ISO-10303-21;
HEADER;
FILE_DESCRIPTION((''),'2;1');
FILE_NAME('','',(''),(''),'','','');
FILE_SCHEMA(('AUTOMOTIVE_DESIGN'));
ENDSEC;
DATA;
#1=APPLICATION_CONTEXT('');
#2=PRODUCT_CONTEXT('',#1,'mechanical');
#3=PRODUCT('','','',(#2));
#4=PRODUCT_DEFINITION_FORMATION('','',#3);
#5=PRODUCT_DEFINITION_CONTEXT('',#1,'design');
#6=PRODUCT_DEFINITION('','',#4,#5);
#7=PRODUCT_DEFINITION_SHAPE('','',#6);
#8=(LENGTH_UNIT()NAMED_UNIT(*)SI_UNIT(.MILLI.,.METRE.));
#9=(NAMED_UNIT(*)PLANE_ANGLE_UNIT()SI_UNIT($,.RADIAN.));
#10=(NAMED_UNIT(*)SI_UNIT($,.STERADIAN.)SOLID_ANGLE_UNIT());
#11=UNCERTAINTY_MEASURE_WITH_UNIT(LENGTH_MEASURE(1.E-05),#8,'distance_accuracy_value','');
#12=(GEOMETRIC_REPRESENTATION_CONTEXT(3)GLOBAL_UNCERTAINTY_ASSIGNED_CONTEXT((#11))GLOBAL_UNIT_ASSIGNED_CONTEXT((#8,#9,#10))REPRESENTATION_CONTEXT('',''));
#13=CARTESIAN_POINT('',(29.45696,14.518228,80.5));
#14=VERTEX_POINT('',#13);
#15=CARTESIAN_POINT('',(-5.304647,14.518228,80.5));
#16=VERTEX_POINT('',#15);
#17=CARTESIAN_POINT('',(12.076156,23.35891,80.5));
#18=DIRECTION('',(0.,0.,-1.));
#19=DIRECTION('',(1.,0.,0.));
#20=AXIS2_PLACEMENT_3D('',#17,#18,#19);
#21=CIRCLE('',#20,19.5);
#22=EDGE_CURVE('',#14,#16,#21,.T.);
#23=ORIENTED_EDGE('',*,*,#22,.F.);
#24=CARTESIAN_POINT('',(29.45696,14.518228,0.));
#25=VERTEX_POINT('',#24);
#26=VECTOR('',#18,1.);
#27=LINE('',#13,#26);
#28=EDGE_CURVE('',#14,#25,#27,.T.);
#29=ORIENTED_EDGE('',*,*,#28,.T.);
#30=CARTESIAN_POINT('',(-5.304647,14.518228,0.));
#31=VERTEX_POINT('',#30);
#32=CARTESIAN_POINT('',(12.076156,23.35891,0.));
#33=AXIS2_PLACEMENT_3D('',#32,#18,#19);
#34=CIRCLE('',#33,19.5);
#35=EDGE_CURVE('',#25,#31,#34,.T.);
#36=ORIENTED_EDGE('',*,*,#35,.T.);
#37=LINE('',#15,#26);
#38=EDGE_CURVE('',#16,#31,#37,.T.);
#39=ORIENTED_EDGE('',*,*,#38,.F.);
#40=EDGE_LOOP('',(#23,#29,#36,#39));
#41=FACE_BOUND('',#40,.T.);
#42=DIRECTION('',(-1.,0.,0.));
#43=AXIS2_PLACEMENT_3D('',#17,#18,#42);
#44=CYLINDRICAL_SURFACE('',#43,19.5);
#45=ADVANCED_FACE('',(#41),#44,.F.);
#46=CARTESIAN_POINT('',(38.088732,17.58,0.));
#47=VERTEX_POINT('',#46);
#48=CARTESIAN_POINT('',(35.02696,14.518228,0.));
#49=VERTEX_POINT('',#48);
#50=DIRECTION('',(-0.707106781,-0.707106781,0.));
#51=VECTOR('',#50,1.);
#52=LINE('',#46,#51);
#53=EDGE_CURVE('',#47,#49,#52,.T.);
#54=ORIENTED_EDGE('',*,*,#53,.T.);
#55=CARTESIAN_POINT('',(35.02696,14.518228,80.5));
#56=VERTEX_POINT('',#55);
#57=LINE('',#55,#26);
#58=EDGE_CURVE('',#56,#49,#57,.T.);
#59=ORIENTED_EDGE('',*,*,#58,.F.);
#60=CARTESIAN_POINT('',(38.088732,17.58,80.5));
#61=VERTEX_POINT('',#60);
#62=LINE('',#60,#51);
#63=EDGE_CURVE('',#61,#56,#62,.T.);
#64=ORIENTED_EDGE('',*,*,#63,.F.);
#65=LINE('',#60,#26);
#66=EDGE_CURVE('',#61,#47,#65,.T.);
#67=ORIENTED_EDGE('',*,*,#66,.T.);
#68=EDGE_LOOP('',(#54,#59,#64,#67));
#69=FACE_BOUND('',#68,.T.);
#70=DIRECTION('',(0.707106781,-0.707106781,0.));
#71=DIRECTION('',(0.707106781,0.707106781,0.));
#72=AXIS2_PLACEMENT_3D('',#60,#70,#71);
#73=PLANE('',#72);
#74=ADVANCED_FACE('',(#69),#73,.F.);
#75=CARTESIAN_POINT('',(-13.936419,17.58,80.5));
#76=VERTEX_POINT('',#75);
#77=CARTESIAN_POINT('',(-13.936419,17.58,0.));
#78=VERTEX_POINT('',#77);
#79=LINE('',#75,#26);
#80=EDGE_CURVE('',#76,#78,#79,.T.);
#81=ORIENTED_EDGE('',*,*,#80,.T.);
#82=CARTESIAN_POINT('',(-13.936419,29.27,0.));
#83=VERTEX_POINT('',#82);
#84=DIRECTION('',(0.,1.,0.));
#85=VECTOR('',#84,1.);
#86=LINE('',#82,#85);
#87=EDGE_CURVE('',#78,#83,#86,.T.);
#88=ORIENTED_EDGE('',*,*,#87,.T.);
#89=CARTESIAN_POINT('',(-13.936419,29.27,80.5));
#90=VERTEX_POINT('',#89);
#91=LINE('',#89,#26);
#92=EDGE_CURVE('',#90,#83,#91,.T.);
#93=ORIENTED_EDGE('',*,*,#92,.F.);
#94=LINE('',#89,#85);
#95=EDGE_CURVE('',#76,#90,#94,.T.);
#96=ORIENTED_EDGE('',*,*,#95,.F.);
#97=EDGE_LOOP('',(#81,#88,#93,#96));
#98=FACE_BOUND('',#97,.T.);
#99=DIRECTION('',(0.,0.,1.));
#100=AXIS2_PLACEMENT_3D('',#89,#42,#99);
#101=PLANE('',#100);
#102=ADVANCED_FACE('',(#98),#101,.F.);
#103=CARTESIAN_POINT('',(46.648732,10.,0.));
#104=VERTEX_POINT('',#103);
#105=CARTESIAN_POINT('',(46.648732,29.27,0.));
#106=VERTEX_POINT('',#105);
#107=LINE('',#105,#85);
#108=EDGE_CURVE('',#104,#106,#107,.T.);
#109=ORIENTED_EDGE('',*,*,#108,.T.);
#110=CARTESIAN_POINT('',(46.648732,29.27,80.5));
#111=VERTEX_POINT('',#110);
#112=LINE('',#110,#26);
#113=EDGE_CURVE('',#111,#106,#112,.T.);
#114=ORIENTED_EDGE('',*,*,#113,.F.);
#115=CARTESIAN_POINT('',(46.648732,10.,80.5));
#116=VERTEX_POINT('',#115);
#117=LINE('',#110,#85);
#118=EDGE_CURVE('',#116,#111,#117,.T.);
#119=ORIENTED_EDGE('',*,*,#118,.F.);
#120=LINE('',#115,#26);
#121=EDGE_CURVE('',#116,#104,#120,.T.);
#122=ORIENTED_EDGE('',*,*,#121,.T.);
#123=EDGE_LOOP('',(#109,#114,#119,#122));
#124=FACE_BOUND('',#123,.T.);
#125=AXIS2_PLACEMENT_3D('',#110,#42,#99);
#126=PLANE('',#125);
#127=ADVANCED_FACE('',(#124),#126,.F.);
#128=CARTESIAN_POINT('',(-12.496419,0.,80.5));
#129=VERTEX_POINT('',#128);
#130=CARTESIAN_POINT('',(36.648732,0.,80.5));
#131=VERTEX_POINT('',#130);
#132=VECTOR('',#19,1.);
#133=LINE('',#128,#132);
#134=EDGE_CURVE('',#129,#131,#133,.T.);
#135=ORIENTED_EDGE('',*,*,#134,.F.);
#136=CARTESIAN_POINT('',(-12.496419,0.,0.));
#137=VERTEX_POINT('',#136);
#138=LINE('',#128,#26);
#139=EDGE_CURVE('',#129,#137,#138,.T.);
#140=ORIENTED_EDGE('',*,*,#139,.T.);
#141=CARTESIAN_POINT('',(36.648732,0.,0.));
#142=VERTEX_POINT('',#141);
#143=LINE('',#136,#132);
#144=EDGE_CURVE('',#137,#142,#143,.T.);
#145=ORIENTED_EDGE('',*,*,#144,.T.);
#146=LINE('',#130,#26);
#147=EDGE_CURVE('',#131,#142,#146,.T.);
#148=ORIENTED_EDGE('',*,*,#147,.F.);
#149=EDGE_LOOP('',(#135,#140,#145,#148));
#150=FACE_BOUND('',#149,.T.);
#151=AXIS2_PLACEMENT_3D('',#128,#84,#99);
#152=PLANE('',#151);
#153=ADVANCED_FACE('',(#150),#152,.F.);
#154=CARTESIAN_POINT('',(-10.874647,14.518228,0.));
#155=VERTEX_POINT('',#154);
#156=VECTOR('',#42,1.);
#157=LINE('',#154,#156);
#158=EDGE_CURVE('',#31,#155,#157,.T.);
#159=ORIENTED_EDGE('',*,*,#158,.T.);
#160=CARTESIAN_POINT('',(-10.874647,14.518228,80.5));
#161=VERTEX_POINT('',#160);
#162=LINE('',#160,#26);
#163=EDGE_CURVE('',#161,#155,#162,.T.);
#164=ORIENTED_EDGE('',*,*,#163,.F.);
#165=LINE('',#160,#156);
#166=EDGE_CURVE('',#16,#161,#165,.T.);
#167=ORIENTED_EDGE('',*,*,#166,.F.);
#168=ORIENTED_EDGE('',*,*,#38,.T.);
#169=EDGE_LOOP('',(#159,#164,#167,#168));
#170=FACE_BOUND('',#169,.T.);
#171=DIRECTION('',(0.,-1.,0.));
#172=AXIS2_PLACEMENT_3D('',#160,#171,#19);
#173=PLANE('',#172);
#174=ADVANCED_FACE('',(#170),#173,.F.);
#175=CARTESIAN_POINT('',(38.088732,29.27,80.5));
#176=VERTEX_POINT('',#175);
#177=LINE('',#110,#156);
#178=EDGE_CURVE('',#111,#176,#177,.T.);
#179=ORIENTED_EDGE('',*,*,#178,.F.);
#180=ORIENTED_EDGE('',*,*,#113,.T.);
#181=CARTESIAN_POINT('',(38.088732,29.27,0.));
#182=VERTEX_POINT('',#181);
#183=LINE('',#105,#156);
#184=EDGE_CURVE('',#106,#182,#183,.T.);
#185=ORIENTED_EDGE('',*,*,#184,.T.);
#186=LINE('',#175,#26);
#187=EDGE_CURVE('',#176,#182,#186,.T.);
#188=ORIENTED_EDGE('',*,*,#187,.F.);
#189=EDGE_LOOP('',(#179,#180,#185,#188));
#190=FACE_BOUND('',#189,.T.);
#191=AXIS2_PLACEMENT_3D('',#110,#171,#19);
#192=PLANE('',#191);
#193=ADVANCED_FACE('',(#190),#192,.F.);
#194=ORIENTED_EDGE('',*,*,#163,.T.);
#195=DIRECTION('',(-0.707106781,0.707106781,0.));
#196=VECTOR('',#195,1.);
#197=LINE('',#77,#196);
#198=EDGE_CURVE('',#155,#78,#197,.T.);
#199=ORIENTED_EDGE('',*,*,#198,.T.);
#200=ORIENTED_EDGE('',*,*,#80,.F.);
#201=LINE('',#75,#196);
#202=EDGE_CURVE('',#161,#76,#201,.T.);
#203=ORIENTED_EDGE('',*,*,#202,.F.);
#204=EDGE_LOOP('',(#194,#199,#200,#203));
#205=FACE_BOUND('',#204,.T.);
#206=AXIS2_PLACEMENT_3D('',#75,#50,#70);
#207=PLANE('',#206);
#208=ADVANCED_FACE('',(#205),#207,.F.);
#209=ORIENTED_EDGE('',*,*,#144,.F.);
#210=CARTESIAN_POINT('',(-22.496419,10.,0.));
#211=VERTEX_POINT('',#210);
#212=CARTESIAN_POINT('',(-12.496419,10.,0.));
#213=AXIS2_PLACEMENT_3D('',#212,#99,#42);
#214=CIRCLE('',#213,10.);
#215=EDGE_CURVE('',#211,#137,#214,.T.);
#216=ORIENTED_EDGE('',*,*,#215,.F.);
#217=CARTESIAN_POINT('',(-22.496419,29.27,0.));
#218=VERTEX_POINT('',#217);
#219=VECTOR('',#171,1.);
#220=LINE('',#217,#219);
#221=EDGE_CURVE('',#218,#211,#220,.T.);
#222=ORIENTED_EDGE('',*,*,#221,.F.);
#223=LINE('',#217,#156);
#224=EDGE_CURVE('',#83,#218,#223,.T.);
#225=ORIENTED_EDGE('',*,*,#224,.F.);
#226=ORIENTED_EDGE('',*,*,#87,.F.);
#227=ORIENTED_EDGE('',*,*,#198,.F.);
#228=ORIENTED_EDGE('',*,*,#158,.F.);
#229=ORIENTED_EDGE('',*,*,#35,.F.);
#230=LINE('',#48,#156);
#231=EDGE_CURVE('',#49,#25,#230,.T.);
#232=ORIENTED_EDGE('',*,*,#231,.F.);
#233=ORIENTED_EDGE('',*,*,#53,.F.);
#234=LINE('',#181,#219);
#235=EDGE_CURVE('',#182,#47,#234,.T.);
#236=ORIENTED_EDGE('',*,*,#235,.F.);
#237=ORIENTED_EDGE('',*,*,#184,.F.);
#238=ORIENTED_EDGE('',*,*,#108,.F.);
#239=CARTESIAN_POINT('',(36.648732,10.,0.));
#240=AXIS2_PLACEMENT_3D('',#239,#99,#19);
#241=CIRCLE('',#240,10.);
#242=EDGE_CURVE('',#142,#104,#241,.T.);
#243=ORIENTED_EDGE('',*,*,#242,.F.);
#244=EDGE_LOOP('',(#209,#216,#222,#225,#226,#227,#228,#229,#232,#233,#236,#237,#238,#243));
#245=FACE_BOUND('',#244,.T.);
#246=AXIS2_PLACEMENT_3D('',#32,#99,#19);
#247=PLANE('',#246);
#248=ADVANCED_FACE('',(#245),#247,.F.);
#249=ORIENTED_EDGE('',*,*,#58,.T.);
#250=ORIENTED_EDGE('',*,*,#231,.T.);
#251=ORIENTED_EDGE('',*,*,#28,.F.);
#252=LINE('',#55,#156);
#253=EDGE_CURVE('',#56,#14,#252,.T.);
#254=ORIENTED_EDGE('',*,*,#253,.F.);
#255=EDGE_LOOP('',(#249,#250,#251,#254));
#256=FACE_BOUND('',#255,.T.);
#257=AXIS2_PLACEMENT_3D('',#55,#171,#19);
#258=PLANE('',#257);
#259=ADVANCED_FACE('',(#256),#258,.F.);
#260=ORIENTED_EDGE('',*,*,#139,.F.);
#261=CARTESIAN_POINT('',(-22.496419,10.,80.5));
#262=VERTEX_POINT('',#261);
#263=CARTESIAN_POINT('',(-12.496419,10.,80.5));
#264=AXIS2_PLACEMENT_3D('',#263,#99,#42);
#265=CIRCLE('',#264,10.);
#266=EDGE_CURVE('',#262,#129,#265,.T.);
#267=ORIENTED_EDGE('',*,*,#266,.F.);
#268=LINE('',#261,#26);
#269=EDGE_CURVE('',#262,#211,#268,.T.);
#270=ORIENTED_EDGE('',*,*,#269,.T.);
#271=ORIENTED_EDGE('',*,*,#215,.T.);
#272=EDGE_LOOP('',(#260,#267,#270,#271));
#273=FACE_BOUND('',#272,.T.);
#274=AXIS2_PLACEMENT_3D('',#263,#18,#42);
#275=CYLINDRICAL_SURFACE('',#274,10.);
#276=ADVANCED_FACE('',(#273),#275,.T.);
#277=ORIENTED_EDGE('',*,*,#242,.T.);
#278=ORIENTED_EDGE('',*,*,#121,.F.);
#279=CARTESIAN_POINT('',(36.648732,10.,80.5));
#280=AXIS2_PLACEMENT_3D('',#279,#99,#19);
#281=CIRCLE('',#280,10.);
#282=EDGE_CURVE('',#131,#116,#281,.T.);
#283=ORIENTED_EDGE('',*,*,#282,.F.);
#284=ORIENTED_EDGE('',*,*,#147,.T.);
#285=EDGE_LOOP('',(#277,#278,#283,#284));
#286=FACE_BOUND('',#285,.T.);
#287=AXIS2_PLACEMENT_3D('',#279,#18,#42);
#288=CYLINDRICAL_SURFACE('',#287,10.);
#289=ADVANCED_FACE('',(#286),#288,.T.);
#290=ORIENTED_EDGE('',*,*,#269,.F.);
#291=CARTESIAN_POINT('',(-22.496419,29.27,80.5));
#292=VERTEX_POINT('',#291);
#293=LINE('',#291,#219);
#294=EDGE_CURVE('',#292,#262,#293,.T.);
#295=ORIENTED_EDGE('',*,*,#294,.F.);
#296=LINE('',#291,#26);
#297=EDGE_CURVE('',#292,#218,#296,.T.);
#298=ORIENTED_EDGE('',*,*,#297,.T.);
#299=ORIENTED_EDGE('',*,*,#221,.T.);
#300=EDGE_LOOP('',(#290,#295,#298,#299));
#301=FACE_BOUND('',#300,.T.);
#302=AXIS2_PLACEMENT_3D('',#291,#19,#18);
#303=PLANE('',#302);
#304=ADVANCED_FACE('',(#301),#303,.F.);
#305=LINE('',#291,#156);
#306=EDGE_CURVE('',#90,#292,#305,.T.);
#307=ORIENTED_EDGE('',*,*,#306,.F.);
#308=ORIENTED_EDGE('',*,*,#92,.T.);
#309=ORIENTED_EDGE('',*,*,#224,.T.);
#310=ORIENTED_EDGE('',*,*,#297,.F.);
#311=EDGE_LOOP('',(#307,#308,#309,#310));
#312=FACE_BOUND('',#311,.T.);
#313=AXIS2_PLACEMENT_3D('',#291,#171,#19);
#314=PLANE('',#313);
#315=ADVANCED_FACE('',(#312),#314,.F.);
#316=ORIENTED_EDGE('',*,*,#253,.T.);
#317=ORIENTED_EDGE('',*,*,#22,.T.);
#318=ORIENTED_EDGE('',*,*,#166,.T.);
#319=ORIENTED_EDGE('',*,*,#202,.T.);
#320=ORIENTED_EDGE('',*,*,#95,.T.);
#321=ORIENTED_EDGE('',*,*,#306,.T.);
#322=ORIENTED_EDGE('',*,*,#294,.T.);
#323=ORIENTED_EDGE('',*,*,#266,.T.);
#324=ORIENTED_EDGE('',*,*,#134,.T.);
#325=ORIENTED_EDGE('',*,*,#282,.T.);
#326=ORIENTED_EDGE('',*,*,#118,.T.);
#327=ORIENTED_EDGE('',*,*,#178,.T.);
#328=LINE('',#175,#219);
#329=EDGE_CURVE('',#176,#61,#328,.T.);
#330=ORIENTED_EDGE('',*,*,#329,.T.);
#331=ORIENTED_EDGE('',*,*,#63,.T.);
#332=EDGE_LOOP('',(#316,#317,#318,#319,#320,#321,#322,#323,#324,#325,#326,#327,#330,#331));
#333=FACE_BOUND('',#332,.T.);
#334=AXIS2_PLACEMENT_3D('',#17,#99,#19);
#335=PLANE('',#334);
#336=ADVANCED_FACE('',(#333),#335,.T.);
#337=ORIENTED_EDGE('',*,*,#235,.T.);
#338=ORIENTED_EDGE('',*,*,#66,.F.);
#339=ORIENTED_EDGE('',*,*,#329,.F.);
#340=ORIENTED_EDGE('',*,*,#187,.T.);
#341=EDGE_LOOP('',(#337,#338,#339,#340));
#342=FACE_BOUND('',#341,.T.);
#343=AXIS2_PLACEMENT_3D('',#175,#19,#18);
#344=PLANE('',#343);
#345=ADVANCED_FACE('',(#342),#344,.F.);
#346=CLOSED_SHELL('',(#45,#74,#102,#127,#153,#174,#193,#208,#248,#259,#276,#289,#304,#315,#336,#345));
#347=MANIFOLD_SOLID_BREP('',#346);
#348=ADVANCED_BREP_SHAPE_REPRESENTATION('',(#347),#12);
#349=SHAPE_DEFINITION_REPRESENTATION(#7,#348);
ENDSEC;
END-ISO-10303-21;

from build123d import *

# Parameters (mm, degrees)
BOSS_EXTRUDE1_DEPTH = 80.5


with BuildPart() as part:
    # Sketch1 → Boss-Extrude1 (new body)
    with BuildSketch(Plane.XY):
        with BuildLine():
            Line((-22.496419286, 29.27), (-22.496419286, 10))
            ThreePointArc((-22.496419286, 10), (-19.567487097, 2.928932188), (-12.496419286, 0))
            Line((-12.496419286, 0), (36.648732275, 0))
            ThreePointArc((36.648732275, 0), (43.719800087, 2.928932188), (46.648732275, 10))
            Line((46.648732275, 10), (46.648732275, 29.27))
            Line((46.648732275, 29.27), (38.088732275, 29.27))
            Line((38.088732275, 29.27), (38.088732275, 17.58))
            Line((38.088732275, 17.58), (35.026959912, 14.518227637))
            Line((35.026959912, 14.518227637), (29.456959912, 14.518227637))
            ThreePointArc((29.456959912, 14.518227637), (12.076156495, 3.858910448), (-5.304646923, 14.518227637))
            Line((-5.304646923, 14.518227637), (-10.874646923, 14.518227637))
            Line((-10.874646923, 14.518227637), (-13.936419286, 17.58))
            Line((-13.936419286, 17.58), (-13.936419286, 29.27))
            Line((-13.936419286, 29.27), (-22.496419286, 29.27))
        make_face()
    extrude(amount=BOSS_EXTRUDE1_DEPTH)


solid = part.part
